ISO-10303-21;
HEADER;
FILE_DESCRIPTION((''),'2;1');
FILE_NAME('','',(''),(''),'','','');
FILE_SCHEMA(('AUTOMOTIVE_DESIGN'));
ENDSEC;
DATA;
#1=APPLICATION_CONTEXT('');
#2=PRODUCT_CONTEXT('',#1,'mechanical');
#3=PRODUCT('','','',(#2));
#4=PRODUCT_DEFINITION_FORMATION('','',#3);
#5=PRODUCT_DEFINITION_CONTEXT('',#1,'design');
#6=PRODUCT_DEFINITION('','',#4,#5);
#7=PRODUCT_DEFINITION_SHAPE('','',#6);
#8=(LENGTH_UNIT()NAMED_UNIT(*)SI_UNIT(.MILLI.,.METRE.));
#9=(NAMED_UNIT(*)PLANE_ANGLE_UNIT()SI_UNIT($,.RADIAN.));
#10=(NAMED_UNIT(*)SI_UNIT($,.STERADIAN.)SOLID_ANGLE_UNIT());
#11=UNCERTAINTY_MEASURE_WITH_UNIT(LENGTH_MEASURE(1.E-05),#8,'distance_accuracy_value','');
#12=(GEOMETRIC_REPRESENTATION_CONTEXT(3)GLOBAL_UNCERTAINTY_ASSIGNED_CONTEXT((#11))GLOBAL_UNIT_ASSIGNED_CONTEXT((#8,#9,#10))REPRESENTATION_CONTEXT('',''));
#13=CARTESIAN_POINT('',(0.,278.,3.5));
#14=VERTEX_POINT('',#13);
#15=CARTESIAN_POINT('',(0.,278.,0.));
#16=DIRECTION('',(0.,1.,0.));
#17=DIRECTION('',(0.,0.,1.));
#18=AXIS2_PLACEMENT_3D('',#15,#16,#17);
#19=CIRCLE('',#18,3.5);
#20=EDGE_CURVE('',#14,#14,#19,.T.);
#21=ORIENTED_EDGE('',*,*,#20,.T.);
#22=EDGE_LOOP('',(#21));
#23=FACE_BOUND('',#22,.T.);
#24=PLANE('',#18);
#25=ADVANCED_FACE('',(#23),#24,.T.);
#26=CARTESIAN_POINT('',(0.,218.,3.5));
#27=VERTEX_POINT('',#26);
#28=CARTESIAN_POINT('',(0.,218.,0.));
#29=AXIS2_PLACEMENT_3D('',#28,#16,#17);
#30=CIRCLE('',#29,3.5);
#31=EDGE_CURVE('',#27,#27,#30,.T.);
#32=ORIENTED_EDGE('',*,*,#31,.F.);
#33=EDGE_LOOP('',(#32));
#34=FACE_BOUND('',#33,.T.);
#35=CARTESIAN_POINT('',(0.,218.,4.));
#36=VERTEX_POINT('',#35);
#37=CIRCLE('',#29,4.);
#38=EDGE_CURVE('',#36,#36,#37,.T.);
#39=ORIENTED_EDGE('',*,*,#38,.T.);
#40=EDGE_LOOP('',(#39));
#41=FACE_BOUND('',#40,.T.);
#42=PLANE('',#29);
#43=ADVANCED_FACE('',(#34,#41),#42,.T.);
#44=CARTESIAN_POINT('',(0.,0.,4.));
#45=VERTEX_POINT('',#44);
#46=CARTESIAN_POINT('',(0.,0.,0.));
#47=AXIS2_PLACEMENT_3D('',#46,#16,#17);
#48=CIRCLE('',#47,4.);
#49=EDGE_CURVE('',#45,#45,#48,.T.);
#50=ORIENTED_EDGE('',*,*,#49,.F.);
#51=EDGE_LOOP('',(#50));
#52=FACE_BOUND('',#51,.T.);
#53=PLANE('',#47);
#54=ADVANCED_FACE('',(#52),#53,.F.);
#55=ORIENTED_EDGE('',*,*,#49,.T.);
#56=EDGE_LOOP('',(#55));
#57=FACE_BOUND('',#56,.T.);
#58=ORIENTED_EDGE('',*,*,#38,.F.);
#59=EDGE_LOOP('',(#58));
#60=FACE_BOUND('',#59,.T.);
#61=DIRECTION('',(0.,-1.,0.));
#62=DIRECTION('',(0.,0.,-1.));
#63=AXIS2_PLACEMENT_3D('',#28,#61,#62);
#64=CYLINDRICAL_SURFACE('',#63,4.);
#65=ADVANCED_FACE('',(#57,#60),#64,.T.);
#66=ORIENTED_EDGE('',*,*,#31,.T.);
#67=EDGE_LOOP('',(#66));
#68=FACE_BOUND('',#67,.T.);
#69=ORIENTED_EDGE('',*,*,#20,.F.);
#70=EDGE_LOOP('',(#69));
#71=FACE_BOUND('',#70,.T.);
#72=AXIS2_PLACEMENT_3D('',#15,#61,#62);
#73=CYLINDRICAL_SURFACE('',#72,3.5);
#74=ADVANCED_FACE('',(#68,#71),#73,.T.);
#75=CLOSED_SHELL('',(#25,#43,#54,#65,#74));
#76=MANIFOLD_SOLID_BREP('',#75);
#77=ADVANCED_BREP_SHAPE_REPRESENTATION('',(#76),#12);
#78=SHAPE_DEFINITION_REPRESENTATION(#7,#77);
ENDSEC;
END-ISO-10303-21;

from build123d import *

# Parameters (mm, degrees)
SKETCH1_R           = 4
BOSS_EXTRUDE1_DEPTH = 218
SKETCH2_R           = 3.5
BOSS_EXTRUDE2_DEPTH = 60


with BuildPart() as part:
    # Sketch1 → Boss-Extrude1 (new body)
    with BuildSketch(Plane(origin=(0, 0, 0), x_dir=(1, 0, 0), z_dir=(0, 1, 0))):
        with Locations(Location((0, 0, 0), (0, 0, 270))):
            Circle(SKETCH1_R)
    extrude(amount=BOSS_EXTRUDE1_DEPTH)

    # Sketch2 → Boss-Extrude2 (add)
    with BuildSketch(Plane(origin=(0, 218, 0), x_dir=(1, 0, 0), z_dir=(0, 1, 0))):
        with Locations(Location((0, 0, 0), (0, 0, 270))):
            Circle(SKETCH2_R)
    extrude(amount=BOSS_EXTRUDE2_DEPTH)


solid = part.part
